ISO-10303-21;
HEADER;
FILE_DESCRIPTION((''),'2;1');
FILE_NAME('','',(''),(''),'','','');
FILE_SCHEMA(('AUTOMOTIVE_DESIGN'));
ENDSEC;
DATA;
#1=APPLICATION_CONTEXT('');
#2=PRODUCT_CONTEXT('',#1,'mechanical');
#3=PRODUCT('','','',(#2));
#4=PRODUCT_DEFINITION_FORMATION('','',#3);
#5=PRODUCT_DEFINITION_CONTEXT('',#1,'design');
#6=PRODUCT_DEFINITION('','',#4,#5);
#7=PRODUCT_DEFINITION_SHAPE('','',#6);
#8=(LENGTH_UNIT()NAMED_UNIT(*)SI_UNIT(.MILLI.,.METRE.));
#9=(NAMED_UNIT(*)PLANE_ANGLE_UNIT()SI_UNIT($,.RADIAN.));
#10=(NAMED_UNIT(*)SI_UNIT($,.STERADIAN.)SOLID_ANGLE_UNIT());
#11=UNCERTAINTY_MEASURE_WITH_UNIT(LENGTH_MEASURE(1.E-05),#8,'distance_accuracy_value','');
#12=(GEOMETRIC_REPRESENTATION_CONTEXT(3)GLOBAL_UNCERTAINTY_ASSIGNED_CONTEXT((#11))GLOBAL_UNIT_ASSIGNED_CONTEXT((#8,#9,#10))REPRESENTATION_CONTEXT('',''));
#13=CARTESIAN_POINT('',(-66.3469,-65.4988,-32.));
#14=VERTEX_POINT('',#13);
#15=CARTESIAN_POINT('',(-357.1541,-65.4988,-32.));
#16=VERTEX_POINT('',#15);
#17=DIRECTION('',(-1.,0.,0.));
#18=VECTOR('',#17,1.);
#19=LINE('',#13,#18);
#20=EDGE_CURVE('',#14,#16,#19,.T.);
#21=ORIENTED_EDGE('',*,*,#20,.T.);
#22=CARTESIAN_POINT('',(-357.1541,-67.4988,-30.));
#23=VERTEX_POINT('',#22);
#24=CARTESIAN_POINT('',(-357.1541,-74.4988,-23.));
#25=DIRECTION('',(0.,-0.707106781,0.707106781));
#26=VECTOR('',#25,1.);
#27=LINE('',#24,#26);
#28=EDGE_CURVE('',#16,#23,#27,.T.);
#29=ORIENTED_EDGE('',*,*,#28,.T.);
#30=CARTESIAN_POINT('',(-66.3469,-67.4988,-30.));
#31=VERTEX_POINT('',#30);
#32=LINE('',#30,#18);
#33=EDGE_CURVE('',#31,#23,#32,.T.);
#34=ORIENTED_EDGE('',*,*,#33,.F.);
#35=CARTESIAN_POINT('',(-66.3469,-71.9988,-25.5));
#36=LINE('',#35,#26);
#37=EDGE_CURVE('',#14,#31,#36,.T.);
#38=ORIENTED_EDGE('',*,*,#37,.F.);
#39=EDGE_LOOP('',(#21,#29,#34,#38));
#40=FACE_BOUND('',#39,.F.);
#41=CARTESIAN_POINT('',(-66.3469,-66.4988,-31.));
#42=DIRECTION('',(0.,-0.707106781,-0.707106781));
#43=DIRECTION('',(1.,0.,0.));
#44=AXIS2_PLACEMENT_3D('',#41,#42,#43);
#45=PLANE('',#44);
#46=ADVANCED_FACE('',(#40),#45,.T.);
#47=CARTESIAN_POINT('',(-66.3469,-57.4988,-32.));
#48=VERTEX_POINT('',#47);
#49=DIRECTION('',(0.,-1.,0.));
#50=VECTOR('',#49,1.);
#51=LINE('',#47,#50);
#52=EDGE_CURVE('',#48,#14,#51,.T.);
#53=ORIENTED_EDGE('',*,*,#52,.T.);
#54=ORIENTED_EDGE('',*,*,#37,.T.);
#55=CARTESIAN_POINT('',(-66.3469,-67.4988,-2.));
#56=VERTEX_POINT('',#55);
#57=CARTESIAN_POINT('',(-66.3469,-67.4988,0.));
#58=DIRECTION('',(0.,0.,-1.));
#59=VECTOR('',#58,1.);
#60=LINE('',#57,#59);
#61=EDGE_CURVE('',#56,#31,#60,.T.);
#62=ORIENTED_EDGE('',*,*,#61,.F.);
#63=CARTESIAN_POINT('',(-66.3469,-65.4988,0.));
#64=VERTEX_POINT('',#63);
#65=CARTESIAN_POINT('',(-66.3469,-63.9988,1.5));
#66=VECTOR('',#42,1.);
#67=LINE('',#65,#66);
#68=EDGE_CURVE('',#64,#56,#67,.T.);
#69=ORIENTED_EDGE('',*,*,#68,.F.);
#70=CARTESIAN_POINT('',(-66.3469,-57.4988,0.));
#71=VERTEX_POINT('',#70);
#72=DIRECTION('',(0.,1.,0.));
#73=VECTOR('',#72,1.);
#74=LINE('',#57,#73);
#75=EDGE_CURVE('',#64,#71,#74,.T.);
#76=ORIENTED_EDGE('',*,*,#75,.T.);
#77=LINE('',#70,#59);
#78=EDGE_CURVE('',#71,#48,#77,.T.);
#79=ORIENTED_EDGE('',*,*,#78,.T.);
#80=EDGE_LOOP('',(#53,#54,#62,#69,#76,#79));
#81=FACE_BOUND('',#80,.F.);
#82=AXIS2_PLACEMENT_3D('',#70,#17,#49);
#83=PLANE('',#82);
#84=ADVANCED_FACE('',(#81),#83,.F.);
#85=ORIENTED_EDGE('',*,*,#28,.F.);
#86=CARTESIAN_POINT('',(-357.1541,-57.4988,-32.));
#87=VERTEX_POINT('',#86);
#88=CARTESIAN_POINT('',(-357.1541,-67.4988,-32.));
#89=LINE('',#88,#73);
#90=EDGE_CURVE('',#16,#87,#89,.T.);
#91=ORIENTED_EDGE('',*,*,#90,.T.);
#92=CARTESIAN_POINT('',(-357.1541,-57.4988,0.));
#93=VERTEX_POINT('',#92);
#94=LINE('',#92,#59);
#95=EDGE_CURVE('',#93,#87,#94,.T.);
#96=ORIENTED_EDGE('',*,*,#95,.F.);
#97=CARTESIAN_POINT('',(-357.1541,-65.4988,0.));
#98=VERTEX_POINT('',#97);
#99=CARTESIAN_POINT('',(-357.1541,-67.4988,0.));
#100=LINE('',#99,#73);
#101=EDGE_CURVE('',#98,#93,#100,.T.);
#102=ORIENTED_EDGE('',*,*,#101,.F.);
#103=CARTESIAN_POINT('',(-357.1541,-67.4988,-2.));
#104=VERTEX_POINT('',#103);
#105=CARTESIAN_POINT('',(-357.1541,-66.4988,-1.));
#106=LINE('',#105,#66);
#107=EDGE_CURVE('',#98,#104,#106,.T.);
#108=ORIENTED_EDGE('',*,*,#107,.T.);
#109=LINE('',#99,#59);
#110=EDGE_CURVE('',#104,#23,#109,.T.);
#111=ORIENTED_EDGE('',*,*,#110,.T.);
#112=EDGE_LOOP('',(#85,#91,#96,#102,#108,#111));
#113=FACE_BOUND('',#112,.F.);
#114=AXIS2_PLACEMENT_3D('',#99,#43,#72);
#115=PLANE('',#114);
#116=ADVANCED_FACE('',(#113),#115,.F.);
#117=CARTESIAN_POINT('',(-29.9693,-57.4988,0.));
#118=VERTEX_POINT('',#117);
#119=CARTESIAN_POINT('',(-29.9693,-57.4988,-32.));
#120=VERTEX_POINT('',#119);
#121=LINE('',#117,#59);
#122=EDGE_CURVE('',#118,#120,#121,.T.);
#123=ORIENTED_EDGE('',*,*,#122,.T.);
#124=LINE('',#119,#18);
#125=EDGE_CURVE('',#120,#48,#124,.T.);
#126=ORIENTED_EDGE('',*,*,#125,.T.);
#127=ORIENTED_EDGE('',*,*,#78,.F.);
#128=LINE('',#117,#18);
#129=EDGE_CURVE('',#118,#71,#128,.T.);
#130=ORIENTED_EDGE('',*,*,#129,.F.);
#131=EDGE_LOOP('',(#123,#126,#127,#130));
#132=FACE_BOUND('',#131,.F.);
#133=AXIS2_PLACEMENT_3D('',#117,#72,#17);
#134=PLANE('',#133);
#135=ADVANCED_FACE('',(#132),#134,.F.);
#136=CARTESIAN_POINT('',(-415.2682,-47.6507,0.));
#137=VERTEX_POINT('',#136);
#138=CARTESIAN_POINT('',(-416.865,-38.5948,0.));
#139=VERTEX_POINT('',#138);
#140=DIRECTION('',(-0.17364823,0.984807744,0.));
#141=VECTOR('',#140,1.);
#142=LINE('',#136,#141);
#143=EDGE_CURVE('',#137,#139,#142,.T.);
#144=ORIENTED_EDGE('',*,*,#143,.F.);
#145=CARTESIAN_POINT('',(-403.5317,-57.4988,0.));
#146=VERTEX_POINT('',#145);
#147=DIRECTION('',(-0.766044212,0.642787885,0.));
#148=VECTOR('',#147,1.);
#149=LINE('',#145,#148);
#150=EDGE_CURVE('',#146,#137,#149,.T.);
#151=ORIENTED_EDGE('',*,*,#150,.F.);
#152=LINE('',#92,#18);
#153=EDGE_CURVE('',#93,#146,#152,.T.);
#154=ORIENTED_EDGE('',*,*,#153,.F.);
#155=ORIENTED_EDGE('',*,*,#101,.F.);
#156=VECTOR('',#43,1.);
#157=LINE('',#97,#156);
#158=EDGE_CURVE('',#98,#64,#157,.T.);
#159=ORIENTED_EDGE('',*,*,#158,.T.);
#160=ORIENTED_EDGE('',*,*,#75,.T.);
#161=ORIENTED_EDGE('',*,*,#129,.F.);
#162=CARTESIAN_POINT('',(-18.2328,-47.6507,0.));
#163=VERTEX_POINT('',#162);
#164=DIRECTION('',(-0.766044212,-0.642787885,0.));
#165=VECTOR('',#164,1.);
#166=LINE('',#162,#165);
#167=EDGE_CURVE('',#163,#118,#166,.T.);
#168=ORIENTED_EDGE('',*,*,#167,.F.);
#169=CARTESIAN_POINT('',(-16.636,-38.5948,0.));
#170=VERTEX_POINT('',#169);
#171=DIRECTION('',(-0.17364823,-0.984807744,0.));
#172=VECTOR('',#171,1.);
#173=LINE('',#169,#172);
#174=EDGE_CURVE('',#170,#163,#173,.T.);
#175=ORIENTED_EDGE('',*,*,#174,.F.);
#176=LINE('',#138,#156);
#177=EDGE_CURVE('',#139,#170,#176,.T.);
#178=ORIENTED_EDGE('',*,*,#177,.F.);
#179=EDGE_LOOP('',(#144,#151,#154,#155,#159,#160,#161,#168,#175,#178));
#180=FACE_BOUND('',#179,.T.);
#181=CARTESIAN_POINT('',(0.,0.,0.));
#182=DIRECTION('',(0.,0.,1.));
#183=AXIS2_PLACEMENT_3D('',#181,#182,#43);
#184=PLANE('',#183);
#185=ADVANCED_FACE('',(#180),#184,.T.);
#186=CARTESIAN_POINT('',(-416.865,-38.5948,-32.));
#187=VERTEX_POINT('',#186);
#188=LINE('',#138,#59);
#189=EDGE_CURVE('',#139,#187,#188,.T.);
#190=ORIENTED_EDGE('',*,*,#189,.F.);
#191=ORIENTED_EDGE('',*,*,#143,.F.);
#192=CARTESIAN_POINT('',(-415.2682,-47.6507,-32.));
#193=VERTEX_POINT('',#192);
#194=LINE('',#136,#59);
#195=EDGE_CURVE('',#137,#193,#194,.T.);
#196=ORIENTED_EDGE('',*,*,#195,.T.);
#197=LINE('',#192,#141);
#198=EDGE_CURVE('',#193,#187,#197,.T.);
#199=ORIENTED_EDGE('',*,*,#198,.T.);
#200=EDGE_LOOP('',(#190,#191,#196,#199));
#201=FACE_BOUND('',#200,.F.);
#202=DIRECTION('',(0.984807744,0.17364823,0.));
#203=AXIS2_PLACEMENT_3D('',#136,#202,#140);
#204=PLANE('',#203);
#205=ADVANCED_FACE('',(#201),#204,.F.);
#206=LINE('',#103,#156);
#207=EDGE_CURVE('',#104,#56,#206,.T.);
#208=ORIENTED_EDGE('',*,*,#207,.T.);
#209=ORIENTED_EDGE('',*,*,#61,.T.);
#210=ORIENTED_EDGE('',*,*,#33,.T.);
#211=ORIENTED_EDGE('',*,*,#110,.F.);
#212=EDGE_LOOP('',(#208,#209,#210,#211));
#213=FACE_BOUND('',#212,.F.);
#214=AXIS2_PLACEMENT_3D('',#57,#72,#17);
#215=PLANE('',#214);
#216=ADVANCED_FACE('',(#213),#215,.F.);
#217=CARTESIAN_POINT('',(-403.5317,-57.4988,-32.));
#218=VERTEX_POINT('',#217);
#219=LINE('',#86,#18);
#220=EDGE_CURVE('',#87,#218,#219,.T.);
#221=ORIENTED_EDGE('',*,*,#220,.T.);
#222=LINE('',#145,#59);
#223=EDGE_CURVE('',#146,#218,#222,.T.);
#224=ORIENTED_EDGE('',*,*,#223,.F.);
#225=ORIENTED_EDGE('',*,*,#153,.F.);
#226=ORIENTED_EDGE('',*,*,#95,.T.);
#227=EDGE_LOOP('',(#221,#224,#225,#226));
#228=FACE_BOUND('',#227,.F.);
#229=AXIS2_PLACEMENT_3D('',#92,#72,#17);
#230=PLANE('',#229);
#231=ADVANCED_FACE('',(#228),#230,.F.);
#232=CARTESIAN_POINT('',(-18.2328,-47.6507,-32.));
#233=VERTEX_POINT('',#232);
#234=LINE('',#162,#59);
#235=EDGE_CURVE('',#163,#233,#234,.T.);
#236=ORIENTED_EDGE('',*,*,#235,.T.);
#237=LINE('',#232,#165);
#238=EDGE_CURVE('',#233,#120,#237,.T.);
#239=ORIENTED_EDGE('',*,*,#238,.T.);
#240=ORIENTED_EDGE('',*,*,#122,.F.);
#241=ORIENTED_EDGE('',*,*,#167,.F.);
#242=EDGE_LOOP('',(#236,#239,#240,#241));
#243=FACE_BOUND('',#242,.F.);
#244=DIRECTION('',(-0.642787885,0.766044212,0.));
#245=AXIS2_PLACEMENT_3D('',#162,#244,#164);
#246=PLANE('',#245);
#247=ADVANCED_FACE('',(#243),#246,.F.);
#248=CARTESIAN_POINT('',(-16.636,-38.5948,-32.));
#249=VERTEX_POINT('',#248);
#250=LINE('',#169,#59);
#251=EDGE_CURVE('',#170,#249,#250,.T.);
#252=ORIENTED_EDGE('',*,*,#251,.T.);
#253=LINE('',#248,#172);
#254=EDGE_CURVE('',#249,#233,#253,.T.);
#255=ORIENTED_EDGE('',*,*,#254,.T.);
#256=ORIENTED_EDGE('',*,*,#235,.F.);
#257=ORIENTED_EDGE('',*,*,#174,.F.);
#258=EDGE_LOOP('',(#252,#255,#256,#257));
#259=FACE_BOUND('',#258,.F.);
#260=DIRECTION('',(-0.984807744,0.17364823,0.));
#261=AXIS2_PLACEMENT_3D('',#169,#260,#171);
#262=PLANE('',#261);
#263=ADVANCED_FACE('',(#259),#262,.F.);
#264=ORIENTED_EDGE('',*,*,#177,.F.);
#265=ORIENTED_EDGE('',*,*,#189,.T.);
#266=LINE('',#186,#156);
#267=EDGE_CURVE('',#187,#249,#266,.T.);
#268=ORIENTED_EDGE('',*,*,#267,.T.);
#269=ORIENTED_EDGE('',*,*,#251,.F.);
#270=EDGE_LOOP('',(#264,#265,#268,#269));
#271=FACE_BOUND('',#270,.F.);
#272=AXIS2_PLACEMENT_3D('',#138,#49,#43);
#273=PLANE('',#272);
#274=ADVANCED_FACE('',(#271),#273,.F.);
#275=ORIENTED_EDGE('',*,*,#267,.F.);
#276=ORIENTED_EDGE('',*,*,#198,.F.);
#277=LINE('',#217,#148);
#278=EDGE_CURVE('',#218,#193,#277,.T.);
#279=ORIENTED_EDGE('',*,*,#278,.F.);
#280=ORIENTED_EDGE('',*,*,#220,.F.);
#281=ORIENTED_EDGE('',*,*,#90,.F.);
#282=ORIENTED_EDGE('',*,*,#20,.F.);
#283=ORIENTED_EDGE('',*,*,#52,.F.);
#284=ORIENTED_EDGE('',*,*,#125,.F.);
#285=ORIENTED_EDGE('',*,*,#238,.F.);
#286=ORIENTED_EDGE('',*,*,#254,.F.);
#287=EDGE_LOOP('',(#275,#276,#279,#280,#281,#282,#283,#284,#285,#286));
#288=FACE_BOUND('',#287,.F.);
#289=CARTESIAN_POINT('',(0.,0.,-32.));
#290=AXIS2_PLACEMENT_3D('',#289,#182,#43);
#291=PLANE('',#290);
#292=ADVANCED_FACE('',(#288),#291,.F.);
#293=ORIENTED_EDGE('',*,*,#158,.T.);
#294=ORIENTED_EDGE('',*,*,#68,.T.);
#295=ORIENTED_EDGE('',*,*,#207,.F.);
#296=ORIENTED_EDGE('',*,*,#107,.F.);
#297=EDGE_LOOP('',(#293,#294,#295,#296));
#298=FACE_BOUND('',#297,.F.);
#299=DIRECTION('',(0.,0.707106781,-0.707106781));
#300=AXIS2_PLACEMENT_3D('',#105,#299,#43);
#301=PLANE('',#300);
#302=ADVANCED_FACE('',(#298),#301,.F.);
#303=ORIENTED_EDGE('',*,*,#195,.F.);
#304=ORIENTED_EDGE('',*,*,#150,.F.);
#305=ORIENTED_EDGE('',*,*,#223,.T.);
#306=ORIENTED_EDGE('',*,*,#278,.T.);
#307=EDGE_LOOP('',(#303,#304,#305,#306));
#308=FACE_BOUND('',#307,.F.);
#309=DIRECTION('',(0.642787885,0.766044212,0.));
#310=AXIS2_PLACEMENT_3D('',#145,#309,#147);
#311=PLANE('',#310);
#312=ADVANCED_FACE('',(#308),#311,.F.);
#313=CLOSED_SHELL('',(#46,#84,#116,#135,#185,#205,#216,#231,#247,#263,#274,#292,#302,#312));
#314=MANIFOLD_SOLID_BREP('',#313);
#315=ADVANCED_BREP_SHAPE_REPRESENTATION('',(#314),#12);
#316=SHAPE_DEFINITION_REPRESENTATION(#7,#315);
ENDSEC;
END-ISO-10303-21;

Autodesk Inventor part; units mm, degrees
ref_plane "YZ Plane" through (0, 0, 0) normal (1, 0, 0) x (0, 1, 0)
ref_plane "XZ Plane" through (0, 0, 0) normal (0, 1, 0) x (-1, 0, 0)
ref_plane "XY Plane" through (0, 0, 0) normal (0, 0, 1) x (1, 0, 0)
sketch "Sketch1" plane through (0, 0, 0) normal (0, 0, 1) x (1, 0, 0)
  line L0 (-357.1541, -65.4988) -> (-437.5068, -65.4988) construction
  line L1 (-357.1541, -65.4988) -> (-357.1541, -57.4988) construction
  line L2 (-357.1541, -57.4988) -> (-403.5317, -57.4988) construction
  line L3 (-415.2682, -47.6507) -> (-403.5317, -57.4988) construction
  line L4 (-415.2682, -47.6507) -> (-435.2333, 65.5771) construction
  line L5 (-431.1016, 70.5012) -> (-435.2333, 65.5771) construction
  line L6 (-431.1016, 70.5012) -> (-418.2505, 70.5012) construction
  line L7 (-418.2505, 70.5012) -> (-418.2505, 78.5012) construction
  line L8 (-518.2505, 78.5012) -> (-418.2505, 78.5012) construction
  line L9 (-518.2505, 78.5012) -> (-518.2505, 75.5012) construction
  line L10 (-518.2505, 75.5012) -> (-467.3689, 75.5012) construction
  line L11 (-461.5006, 70.5771) -> (-467.3689, 75.5012) construction
  line L12 (-461.5006, 70.5771) -> (-437.5068, -65.4988) construction
  line L13 (4.0058, -65.4988) -> (-76.3469, -65.4988) construction
  line L14 (4.0058, -65.4988) -> (27.9996, 70.5771) construction
  line L15 (33.8679, 75.5012) -> (27.9996, 70.5771) construction
  line L16 (33.8679, 75.5012) -> (84.7495, 75.5012) construction
  line L17 (84.7495, 75.5012) -> (84.7495, 78.5012) construction
  line L18 (-15.2505, 78.5012) -> (84.7495, 78.5012) construction
  line L19 (-15.2505, 78.5012) -> (-15.2505, 70.5012) construction
  line L20 (-15.2505, 70.5012) -> (-2.3994, 70.5012) construction
  line L21 (1.7323, 65.5771) -> (-2.3994, 70.5012) construction
  line L22 (1.7323, 65.5771) -> (-18.2328, -47.6507) construction
  line L23 (-29.9693, -57.4988) -> (-18.2328, -47.6507) construction
  line L24 (-29.9693, -57.4988) -> (-76.3469, -57.4988) construction
  line L25 (-76.3469, -57.4988) -> (-76.3469, -65.4988) construction
  line L26 (-357.1541, -67.4988) -> (-357.1541, -65.4988) construction
  line L27 (-357.1541, -65.4988) -> (-437.5068, -65.4988) construction
  line L28 (-437.5068, -65.4988) -> (-437.1541, -67.4988) construction
  line L29 (-437.1541, -67.4988) -> (-357.1541, -67.4988) construction
  line L30 (3.6531, -67.4988) -> (4.0058, -65.4988) construction
  line L31 (4.0058, -65.4988) -> (-76.3469, -65.4988) construction
  line L32 (-76.3469, -65.4988) -> (-76.3469, -67.4988) construction
  line L33 (-76.3469, -67.4988) -> (3.6531, -67.4988) construction
  line L34 (-416.865, -38.5948) -> (-16.636, -38.5948)
  line L35 (-16.636, -38.5948) -> (-18.2328, -47.6507)
  line L36 (-18.2328, -47.6507) -> (-29.9693, -57.4988)
  line L37 (-29.9693, -57.4988) -> (-76.3469, -57.4988)
  line L38 (-76.3469, -57.4988) -> (-76.3469, -67.4988)
  line L39 (-76.3469, -67.4988) -> (-357.1541, -67.4988)
  line L40 (-357.1541, -67.4988) -> (-357.1541, -57.4988)
  line L41 (-357.1541, -57.4988) -> (-403.5317, -57.4988)
  line L42 (-403.5317, -57.4988) -> (-415.2682, -47.6507)
  line L43 (-415.2682, -47.6507) -> (-416.865, -38.5948)
extrude "Extrusion1" add sketch "Sketch1" against normal blind 32
sketch "Sketch2" plane through (0, 0, 0) normal (0, 0, 1) x (1, 0, 0)
  line L0 (3.6531, -67.4988) -> (4.0058, -65.4988) projected
  line L1 (4.0058, -65.4988) -> (-66.3469, -65.4988) projected
  line L2 (-66.3469, -65.4988) -> (-66.3469, -67.4988) projected
  line L3 (-66.3469, -67.4988) -> (3.6531, -67.4988) projected
  line L4 (4.0058, -65.4988) -> (-66.3469, -65.4988) projected
  line L5 (4.0058, -65.4988) -> (27.118, 65.5771) projected
  line L6 (-15.2505, 78.5012) -> (-15.2505, 72.5012) projected
  line L7 (1.7323, 65.5771) -> (-18.5801, -49.6204) projected
  line L8 (-66.3469, -59.4988) -> (-66.3469, -65.4988) projected
  line L9 (-367.1541, -65.4988) -> (-437.5068, -65.4988) projected
  line L10 (-367.1541, -65.4988) -> (-367.1541, -59.4988) projected
  line L11 (-414.9209, -49.6204) -> (-435.2333, 65.5771) projected
  line L12 (-418.2505, 72.5012) -> (-418.2505, 78.5012) projected
  line L13 (-460.619, 65.5771) -> (-437.5068, -65.4988) projected
  line L14 (-367.1541, -67.4988) -> (-367.1541, -65.4988) projected
  line L15 (-367.1541, -65.4988) -> (-437.5068, -65.4988) projected
  line L16 (-437.5068, -65.4988) -> (-437.1541, -67.4988) projected
  line L17 (-437.1541, -67.4988) -> (-367.1541, -67.4988) projected
  line L18 (-357.1541, -57.4988) -> (-66.3469, -57.4988)
  line L19 (-66.3469, -57.4988) -> (-66.3469, -67.4988)
  line L20 (-66.3469, -67.4988) -> (-357.1541, -67.4988)
  line L21 (-357.1541, -67.4988) -> (-357.1541, -57.4988)
  line L22 (1.7323, 65.5771) -> (-4.0776, 72.5012) projected
  line L23 (-429.4234, 72.5012) -> (-435.2333, 65.5771) projected
  line L24 (35.3697, 72.5012) -> (27.118, 65.5771) projected
  line L25 (84.7495, 72.5012) -> (84.7495, 78.5012) projected
  line L26 (-518.2505, 78.5012) -> (-518.2505, 72.5012) projected
  line L27 (-460.619, 65.5771) -> (-468.8707, 72.5012) projected
  line L28 (-15.2505, 78.5012) -> (84.7495, 78.5012) projected
  line L29 (-518.2505, 78.5012) -> (-418.2505, 78.5012) projected
  line L30 (-66.3469, -59.4988) -> (-30.3528, -59.4988) projected
  line L31 (84.7495, 72.5012) -> (35.3697, 72.5012) projected
  line L32 (-4.0776, 72.5012) -> (-15.2505, 72.5012) projected
  line L33 (-30.3528, -59.4988) -> (-18.5801, -49.6204) projected
  line L34 (-414.9209, -49.6204) -> (-403.1482, -59.4988) projected
  line L35 (-418.2505, 72.5012) -> (-429.4234, 72.5012) projected
  line L36 (-468.8707, 72.5012) -> (-518.2505, 72.5012) projected
  line L37 (-403.1482, -59.4988) -> (-367.1541, -59.4988) projected
  point P0 (0, 0)
extrude "Extrusion2" add sketch "Sketch2" against normal up to surface (32 mm away) contours L20 L21 L18 L19 L8 L2
chamfer "Chamfer1" distance 2 angle 45 2 edges at (-216.7505, -67.4988, -32) (-216.7505, -67.4988, 0)
properties part number "DNW_CON" material "Wood (Birch)"
